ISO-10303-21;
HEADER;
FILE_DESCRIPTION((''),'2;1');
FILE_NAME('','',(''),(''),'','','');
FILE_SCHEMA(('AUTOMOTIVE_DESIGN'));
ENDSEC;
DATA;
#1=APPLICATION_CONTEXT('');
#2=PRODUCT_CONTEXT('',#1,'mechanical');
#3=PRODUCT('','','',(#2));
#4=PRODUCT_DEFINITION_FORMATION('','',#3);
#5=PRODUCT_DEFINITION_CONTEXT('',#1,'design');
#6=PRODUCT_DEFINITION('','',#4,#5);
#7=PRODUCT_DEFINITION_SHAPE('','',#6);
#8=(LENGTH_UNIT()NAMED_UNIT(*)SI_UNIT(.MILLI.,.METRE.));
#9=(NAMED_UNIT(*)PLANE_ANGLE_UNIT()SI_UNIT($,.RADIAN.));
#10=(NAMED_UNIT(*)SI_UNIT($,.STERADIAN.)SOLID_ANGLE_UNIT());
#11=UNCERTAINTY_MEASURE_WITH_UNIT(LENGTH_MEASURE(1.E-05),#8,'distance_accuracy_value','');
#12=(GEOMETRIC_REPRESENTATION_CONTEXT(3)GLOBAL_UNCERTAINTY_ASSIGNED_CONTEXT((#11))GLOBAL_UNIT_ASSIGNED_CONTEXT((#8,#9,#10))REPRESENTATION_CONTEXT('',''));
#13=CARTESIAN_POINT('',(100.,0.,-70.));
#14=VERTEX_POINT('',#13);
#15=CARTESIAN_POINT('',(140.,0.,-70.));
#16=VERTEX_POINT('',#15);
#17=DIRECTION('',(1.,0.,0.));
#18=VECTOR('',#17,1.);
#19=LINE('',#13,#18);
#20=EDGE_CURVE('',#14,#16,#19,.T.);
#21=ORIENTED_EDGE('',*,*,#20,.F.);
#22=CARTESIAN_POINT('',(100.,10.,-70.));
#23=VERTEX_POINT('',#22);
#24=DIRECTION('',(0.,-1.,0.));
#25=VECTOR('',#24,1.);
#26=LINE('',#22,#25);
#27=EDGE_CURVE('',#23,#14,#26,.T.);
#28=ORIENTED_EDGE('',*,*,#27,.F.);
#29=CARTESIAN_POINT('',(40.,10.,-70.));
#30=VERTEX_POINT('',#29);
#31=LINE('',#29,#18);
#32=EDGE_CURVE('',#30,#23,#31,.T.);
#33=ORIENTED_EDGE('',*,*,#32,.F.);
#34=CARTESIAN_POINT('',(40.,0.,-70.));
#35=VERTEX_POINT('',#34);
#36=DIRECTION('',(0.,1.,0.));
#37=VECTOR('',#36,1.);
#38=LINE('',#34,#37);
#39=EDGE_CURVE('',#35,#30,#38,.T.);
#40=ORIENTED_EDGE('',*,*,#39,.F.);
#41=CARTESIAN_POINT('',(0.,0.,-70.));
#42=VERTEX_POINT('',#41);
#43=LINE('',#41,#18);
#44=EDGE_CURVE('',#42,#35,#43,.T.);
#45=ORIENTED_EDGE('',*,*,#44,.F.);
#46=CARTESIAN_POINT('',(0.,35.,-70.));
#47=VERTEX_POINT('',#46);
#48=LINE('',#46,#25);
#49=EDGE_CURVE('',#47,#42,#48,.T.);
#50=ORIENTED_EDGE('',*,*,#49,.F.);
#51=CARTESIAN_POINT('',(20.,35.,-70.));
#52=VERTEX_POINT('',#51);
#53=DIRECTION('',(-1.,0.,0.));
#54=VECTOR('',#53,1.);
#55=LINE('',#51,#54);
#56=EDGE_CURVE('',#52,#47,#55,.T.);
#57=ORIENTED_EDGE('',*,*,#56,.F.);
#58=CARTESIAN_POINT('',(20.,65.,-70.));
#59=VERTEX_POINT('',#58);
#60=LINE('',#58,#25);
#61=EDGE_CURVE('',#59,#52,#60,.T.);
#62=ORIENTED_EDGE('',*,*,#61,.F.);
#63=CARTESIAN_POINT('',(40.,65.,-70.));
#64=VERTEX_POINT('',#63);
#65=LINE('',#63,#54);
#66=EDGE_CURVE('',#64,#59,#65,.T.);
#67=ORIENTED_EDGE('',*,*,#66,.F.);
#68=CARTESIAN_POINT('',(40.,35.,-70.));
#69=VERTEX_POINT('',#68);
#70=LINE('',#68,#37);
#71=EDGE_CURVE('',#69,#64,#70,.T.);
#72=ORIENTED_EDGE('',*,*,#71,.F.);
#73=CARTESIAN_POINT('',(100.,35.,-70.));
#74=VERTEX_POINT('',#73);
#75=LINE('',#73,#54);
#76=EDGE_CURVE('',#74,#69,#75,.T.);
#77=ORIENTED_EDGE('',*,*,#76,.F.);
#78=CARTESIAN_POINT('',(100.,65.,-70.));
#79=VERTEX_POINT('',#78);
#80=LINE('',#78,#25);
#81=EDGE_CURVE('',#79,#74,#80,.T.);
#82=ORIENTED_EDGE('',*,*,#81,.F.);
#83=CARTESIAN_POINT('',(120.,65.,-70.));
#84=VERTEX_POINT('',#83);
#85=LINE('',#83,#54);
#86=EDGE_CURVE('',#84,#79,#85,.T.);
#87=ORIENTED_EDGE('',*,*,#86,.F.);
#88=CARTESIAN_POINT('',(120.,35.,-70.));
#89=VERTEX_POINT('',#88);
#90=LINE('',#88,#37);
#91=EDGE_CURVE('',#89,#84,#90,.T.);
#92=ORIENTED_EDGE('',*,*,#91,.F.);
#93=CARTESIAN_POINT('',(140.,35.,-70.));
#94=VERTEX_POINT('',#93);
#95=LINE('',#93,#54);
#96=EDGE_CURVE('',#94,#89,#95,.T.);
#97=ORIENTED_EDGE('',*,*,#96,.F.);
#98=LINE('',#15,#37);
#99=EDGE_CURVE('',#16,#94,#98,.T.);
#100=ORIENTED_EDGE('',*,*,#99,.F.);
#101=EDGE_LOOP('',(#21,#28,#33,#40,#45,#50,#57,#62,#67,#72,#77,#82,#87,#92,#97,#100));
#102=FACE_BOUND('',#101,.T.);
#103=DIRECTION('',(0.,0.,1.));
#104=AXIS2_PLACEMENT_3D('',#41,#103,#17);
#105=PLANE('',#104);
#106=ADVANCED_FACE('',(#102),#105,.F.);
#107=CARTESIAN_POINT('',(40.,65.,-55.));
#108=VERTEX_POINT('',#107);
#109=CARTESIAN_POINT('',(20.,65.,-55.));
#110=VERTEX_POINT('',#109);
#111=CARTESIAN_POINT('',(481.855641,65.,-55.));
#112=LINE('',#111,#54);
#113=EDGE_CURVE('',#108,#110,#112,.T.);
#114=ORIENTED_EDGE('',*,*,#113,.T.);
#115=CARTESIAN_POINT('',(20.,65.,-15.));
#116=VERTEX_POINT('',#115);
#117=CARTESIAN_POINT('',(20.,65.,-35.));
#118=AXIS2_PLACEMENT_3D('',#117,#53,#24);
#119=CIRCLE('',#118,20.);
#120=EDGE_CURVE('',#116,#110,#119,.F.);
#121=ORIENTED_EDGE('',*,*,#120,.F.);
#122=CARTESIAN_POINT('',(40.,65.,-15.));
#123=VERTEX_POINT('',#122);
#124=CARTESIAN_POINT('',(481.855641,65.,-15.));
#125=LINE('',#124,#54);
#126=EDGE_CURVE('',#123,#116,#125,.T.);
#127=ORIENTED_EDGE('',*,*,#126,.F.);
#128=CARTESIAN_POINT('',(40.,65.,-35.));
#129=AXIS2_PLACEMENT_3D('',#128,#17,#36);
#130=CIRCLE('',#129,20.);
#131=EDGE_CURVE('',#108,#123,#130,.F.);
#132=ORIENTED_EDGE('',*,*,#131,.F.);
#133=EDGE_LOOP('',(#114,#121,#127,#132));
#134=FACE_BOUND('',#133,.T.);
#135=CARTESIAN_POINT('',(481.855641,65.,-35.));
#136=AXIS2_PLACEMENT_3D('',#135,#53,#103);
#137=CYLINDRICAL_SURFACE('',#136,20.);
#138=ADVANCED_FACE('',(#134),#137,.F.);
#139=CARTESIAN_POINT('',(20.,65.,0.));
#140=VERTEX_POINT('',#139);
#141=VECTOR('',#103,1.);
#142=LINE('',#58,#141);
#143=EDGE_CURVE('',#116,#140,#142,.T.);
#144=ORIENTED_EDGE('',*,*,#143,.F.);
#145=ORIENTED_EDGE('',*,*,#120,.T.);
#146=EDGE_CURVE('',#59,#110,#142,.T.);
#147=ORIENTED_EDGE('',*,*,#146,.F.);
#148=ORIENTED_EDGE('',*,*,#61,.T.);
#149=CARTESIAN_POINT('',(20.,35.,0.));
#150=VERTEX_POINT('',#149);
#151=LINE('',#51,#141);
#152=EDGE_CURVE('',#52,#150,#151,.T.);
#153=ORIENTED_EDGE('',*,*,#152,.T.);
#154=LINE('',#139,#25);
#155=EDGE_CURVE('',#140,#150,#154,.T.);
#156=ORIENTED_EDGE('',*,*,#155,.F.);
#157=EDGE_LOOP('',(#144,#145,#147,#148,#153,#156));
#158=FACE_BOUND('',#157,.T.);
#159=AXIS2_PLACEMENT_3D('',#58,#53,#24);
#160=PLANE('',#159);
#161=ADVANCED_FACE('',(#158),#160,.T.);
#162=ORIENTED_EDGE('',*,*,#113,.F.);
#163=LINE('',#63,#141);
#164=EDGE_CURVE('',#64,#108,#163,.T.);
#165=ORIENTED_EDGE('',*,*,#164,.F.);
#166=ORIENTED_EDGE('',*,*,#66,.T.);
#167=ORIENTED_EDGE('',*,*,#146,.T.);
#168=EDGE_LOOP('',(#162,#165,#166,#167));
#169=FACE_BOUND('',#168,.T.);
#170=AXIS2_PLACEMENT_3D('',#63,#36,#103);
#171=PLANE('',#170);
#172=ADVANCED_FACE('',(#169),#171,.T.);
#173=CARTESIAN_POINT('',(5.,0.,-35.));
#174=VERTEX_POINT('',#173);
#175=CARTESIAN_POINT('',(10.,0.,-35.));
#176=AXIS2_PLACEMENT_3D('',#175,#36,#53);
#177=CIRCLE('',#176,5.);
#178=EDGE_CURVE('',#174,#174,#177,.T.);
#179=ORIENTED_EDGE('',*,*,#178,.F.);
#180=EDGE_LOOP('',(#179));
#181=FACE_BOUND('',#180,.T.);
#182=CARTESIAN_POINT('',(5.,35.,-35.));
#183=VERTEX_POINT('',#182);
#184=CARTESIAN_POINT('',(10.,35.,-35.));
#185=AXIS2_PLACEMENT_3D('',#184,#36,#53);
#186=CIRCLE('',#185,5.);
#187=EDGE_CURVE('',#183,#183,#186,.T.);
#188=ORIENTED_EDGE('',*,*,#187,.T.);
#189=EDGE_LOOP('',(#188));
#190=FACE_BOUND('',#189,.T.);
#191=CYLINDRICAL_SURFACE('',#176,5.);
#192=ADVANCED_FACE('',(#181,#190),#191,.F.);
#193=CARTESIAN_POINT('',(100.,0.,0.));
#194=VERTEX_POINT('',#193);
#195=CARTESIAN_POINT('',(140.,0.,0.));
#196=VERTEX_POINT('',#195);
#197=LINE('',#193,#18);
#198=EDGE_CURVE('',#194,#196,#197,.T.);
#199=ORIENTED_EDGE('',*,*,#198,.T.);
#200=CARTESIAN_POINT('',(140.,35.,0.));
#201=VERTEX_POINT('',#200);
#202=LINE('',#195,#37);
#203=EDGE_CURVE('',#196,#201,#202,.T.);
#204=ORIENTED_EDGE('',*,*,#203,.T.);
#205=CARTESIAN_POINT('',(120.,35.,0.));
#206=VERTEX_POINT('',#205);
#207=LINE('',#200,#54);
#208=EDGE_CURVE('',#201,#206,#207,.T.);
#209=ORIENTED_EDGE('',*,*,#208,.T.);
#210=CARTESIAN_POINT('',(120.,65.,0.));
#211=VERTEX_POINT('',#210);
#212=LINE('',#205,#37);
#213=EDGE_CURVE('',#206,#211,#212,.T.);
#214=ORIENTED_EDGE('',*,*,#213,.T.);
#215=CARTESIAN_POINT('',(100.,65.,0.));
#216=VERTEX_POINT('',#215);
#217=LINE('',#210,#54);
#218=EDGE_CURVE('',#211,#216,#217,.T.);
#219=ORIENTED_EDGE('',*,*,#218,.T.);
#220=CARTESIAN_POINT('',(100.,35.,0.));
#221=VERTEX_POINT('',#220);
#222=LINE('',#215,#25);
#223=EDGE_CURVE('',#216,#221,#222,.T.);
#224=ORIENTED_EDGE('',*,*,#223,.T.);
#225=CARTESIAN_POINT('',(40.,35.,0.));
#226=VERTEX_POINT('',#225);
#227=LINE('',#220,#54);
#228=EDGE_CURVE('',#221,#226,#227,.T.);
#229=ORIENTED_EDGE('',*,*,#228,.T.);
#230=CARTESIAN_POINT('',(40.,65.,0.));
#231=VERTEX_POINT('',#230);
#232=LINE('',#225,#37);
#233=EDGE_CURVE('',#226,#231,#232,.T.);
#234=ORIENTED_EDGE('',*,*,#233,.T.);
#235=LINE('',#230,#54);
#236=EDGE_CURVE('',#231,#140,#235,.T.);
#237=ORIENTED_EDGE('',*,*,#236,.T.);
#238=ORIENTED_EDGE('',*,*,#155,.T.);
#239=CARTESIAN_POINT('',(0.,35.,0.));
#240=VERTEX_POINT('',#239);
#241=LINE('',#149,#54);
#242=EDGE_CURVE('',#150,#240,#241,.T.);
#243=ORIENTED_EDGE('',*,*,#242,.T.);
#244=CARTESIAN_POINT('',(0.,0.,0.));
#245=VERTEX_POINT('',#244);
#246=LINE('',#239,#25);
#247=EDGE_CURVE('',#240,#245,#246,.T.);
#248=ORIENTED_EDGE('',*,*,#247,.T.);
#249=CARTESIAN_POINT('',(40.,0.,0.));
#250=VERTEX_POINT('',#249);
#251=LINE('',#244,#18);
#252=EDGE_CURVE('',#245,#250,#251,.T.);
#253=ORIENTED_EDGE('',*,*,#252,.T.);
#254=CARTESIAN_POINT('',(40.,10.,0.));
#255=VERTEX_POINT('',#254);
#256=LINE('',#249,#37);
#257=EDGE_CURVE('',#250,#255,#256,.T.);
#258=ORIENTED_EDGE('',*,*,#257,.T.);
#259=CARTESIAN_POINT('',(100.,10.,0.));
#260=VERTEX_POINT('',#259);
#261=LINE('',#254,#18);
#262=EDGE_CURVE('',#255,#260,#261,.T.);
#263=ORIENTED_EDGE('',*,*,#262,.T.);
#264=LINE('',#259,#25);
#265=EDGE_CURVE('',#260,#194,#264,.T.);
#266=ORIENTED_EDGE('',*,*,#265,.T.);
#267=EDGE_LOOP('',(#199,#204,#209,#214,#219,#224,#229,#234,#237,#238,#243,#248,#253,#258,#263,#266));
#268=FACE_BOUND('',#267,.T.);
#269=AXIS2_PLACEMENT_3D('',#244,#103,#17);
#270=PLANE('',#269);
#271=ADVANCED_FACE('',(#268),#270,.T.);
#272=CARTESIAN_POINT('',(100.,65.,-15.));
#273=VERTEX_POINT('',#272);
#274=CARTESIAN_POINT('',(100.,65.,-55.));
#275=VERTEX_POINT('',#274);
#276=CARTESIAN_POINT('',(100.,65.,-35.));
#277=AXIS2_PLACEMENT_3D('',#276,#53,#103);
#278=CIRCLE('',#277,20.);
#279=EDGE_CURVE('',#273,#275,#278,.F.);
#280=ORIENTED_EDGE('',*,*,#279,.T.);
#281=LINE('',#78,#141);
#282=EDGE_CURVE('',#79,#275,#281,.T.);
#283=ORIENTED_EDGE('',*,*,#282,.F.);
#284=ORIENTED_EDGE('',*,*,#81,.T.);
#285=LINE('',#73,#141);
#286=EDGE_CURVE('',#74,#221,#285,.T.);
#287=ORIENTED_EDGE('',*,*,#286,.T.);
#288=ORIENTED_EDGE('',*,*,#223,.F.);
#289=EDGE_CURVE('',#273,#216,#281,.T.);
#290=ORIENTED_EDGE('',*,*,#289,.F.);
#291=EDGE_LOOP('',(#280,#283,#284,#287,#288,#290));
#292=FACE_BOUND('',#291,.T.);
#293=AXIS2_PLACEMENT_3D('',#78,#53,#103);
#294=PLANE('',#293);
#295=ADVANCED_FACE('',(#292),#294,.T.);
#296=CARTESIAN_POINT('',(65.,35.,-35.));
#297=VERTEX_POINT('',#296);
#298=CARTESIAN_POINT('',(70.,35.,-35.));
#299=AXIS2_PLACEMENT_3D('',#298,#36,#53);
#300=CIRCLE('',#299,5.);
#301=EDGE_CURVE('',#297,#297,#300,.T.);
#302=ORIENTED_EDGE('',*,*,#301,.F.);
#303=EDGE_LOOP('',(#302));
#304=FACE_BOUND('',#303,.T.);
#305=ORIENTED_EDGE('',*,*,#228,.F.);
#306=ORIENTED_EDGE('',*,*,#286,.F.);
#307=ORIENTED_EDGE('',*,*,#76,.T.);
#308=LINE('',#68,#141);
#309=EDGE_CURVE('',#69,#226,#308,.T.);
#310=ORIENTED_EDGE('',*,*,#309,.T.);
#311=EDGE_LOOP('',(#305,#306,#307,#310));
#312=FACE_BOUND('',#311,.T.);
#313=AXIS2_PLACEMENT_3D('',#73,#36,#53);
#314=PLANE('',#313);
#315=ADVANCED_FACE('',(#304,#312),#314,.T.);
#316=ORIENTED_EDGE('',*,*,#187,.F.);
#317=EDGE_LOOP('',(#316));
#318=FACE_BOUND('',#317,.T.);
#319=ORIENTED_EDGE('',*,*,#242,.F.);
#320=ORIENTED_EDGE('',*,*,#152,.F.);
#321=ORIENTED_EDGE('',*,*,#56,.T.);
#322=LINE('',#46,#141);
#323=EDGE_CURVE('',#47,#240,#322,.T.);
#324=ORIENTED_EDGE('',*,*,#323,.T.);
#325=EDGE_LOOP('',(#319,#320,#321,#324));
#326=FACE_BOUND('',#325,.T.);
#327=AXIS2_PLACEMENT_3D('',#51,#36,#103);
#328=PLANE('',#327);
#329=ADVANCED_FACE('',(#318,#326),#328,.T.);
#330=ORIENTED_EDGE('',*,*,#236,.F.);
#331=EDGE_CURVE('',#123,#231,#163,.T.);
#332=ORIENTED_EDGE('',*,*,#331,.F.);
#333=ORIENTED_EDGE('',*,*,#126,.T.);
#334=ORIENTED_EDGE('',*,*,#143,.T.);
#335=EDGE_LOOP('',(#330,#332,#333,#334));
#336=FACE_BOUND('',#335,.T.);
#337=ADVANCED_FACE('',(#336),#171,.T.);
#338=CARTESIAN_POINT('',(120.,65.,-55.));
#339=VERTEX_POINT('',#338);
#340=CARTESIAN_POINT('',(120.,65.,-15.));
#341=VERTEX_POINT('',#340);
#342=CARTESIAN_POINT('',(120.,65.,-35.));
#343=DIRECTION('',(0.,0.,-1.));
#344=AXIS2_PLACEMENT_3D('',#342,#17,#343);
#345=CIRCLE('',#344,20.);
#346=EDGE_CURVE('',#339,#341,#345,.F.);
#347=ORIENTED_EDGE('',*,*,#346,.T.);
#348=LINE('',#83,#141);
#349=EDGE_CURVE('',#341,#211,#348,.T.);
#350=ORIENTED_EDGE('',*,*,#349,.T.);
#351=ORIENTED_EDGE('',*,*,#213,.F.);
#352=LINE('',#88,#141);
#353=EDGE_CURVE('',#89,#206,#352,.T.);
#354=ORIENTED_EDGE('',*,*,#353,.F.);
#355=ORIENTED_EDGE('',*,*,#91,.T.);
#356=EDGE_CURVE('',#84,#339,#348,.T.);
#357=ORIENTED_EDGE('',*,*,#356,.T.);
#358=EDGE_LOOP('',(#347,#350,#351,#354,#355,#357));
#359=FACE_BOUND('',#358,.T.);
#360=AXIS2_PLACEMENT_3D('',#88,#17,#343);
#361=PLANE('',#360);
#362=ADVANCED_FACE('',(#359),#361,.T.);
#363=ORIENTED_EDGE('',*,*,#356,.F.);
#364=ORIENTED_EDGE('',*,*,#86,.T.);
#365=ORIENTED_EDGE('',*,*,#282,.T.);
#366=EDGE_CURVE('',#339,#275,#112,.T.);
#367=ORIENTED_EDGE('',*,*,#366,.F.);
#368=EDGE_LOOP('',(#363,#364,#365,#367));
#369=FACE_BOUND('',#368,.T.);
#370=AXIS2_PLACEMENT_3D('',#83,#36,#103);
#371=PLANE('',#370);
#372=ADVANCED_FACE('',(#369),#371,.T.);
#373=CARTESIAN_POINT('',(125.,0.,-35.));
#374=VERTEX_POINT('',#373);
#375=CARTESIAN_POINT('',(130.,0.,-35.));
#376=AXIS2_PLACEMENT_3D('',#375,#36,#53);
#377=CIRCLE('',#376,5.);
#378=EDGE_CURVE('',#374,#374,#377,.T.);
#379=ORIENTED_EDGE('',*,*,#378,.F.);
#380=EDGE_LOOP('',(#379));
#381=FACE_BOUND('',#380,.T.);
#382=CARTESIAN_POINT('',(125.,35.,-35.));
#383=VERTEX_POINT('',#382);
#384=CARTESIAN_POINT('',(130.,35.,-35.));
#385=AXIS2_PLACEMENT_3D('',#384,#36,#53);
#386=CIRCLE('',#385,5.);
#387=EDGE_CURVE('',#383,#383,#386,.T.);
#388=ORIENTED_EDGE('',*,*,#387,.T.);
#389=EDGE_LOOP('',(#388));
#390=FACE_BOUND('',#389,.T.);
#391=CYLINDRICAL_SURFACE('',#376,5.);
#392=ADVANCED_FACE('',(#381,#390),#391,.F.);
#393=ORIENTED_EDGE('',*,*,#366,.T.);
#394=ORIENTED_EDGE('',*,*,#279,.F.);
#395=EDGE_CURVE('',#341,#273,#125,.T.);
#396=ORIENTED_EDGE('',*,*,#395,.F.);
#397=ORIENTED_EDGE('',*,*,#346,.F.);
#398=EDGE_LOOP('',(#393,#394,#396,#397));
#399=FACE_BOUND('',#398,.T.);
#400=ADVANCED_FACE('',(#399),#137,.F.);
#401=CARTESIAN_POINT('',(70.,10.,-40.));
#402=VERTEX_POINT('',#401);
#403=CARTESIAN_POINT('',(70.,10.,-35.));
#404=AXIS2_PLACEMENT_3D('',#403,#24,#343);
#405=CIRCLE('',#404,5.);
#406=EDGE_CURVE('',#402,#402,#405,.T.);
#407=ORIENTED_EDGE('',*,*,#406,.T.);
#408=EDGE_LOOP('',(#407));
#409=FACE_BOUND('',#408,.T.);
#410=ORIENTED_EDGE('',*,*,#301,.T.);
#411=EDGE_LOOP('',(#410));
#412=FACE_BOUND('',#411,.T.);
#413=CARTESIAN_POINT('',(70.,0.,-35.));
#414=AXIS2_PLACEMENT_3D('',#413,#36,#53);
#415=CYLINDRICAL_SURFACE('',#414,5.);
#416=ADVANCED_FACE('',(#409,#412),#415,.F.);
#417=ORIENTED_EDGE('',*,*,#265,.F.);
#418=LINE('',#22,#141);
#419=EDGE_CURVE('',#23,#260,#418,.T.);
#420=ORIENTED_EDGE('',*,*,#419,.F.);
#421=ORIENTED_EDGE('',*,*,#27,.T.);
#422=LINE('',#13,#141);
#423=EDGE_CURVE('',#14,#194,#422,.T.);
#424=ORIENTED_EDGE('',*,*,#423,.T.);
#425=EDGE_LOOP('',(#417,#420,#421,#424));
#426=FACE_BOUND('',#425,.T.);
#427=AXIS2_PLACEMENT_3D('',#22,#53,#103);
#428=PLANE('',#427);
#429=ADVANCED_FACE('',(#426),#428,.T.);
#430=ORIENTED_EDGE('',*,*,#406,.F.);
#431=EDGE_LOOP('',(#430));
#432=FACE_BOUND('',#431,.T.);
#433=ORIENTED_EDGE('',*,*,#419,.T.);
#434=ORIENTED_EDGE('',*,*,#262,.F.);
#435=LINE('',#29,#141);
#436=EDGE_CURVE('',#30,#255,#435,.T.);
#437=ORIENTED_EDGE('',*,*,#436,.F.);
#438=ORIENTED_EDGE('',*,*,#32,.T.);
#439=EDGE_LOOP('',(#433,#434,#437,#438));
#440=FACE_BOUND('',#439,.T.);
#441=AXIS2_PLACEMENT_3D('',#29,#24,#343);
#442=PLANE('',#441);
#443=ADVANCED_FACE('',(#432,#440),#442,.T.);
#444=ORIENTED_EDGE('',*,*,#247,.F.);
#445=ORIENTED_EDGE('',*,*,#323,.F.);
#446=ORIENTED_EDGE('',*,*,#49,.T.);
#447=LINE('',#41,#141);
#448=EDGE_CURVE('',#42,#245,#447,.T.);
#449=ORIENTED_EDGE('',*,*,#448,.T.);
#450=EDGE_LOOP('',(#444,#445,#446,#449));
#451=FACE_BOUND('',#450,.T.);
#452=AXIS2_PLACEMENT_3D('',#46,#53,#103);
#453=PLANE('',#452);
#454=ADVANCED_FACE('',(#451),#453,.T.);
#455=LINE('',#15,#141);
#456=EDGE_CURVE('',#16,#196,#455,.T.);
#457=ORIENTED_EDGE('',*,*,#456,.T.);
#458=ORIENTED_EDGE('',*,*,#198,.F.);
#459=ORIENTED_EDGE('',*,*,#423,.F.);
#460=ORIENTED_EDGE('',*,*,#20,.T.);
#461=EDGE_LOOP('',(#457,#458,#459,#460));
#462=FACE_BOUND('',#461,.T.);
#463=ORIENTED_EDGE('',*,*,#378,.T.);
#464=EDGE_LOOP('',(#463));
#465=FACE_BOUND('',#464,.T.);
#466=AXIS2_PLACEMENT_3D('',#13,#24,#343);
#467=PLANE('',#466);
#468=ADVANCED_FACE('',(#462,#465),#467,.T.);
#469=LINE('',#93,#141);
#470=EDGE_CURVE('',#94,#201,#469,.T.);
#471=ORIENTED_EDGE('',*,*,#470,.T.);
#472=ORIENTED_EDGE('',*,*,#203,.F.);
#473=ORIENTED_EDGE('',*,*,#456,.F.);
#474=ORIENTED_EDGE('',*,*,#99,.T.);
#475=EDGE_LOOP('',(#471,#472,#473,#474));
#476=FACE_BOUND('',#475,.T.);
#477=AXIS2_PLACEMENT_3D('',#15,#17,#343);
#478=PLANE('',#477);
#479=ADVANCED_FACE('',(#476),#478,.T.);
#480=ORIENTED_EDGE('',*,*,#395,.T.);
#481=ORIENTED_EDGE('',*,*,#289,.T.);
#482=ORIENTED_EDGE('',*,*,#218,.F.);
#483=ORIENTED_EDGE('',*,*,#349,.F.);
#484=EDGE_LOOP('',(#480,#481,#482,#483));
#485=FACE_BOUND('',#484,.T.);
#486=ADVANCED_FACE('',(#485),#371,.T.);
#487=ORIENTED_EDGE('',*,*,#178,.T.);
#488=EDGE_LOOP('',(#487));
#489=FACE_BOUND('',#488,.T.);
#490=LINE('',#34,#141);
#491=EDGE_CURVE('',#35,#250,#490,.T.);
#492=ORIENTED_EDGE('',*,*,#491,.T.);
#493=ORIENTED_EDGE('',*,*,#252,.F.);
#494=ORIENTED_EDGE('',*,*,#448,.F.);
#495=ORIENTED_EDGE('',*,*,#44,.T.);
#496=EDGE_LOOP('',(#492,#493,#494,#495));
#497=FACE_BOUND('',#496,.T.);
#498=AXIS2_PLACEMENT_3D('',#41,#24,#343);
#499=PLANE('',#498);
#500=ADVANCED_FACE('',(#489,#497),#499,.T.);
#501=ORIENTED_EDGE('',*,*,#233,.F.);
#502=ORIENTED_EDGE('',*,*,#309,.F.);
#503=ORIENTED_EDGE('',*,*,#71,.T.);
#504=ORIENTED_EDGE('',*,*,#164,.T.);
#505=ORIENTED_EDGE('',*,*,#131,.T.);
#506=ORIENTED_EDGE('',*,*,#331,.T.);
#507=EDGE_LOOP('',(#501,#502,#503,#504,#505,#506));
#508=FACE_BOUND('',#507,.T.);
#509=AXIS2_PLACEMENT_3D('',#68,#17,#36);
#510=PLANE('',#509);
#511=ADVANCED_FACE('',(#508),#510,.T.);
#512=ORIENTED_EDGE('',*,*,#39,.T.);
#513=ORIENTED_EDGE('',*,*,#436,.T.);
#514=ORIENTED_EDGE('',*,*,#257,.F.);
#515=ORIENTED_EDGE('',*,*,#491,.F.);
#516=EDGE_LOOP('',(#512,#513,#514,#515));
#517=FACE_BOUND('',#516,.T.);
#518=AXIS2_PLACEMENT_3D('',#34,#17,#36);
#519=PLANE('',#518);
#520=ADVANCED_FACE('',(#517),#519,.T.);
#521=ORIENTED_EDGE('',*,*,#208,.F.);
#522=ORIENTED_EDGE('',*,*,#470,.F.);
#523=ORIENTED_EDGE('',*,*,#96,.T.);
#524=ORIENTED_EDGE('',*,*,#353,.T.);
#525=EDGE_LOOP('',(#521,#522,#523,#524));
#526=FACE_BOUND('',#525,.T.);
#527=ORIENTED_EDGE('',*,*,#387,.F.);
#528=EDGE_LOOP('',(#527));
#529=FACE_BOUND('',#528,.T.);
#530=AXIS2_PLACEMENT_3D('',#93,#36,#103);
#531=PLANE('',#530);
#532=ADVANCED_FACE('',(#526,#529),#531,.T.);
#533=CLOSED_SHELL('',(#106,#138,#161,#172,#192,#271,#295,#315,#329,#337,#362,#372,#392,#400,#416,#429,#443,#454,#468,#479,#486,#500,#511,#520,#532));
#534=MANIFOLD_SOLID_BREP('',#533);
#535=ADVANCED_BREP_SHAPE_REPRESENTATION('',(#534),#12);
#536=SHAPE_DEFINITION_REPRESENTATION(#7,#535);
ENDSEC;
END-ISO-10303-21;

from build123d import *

# Parameters (mm, degrees)
BOSS_EXTRUDE1_DEPTH     = 70
CUT_EXTRUDE1_DEPTH      = 154.378616502
CUT_EXTRUDE1_DEPTH_BACK = 154.378616502
SKETCH4_R               = 5
CUT_EXTRUDE3_DEPTH      = 161.390149323


with BuildPart() as part:
    # Sketch2 → Boss-Extrude1 (new body)
    with BuildSketch(Plane.XY):
        Polygon((0, 0), (40, 0), (40, 10), (100, 10), (100, 0), (140, 0), (140, 35), (120, 35), (120, 65), (100, 65), (100, 35), (40, 35), (40, 65), (20, 65), (20, 35), (0, 35), align=None)
    extrude(amount=-BOSS_EXTRUDE1_DEPTH)

    # Sketch3 → Cut-Extrude1 (cut, two sides: drawn at the far end of the back side and taken through both)
    with BuildSketch(Plane(origin=(120, 0, 0), x_dir=(0, 0, -1), z_dir=(1, 0, 0)).offset(-CUT_EXTRUDE1_DEPTH_BACK)):
        with BuildLine():
            Line((15, 245.293863659), (15, 65))
            ThreePointArc((15, 65), (35, 45), (55, 65))
            Line((55, 65), (55, 245.293863659))
            Line((55, 245.293863659), (55, 605.881590978))
            Line((55, 605.881590978), (15, 605.881590978))
            Line((15, 605.881590978), (15, 245.293863659))
        make_face()
    extrude(amount=CUT_EXTRUDE1_DEPTH + CUT_EXTRUDE1_DEPTH_BACK, mode=Mode.SUBTRACT)

    # Sketch4 → Cut-Extrude3 (cut, through all)
    with BuildSketch(Plane(origin=(0, 35, 0), x_dir=(1, 0, 0), z_dir=(0, 1, 0))):
        with Locations(Location((130, 35, 0), (0, 0, 180))):
            Circle(SKETCH4_R)
        with Locations(Location((10, 35, 0), (0, 0, 180))):
            Circle(SKETCH4_R)
        with Locations(Location((70, 35, 0), (0, 0, 180))):
            Circle(SKETCH4_R)
    extrude(amount=-CUT_EXTRUDE3_DEPTH, mode=Mode.SUBTRACT)


solid = part.part
